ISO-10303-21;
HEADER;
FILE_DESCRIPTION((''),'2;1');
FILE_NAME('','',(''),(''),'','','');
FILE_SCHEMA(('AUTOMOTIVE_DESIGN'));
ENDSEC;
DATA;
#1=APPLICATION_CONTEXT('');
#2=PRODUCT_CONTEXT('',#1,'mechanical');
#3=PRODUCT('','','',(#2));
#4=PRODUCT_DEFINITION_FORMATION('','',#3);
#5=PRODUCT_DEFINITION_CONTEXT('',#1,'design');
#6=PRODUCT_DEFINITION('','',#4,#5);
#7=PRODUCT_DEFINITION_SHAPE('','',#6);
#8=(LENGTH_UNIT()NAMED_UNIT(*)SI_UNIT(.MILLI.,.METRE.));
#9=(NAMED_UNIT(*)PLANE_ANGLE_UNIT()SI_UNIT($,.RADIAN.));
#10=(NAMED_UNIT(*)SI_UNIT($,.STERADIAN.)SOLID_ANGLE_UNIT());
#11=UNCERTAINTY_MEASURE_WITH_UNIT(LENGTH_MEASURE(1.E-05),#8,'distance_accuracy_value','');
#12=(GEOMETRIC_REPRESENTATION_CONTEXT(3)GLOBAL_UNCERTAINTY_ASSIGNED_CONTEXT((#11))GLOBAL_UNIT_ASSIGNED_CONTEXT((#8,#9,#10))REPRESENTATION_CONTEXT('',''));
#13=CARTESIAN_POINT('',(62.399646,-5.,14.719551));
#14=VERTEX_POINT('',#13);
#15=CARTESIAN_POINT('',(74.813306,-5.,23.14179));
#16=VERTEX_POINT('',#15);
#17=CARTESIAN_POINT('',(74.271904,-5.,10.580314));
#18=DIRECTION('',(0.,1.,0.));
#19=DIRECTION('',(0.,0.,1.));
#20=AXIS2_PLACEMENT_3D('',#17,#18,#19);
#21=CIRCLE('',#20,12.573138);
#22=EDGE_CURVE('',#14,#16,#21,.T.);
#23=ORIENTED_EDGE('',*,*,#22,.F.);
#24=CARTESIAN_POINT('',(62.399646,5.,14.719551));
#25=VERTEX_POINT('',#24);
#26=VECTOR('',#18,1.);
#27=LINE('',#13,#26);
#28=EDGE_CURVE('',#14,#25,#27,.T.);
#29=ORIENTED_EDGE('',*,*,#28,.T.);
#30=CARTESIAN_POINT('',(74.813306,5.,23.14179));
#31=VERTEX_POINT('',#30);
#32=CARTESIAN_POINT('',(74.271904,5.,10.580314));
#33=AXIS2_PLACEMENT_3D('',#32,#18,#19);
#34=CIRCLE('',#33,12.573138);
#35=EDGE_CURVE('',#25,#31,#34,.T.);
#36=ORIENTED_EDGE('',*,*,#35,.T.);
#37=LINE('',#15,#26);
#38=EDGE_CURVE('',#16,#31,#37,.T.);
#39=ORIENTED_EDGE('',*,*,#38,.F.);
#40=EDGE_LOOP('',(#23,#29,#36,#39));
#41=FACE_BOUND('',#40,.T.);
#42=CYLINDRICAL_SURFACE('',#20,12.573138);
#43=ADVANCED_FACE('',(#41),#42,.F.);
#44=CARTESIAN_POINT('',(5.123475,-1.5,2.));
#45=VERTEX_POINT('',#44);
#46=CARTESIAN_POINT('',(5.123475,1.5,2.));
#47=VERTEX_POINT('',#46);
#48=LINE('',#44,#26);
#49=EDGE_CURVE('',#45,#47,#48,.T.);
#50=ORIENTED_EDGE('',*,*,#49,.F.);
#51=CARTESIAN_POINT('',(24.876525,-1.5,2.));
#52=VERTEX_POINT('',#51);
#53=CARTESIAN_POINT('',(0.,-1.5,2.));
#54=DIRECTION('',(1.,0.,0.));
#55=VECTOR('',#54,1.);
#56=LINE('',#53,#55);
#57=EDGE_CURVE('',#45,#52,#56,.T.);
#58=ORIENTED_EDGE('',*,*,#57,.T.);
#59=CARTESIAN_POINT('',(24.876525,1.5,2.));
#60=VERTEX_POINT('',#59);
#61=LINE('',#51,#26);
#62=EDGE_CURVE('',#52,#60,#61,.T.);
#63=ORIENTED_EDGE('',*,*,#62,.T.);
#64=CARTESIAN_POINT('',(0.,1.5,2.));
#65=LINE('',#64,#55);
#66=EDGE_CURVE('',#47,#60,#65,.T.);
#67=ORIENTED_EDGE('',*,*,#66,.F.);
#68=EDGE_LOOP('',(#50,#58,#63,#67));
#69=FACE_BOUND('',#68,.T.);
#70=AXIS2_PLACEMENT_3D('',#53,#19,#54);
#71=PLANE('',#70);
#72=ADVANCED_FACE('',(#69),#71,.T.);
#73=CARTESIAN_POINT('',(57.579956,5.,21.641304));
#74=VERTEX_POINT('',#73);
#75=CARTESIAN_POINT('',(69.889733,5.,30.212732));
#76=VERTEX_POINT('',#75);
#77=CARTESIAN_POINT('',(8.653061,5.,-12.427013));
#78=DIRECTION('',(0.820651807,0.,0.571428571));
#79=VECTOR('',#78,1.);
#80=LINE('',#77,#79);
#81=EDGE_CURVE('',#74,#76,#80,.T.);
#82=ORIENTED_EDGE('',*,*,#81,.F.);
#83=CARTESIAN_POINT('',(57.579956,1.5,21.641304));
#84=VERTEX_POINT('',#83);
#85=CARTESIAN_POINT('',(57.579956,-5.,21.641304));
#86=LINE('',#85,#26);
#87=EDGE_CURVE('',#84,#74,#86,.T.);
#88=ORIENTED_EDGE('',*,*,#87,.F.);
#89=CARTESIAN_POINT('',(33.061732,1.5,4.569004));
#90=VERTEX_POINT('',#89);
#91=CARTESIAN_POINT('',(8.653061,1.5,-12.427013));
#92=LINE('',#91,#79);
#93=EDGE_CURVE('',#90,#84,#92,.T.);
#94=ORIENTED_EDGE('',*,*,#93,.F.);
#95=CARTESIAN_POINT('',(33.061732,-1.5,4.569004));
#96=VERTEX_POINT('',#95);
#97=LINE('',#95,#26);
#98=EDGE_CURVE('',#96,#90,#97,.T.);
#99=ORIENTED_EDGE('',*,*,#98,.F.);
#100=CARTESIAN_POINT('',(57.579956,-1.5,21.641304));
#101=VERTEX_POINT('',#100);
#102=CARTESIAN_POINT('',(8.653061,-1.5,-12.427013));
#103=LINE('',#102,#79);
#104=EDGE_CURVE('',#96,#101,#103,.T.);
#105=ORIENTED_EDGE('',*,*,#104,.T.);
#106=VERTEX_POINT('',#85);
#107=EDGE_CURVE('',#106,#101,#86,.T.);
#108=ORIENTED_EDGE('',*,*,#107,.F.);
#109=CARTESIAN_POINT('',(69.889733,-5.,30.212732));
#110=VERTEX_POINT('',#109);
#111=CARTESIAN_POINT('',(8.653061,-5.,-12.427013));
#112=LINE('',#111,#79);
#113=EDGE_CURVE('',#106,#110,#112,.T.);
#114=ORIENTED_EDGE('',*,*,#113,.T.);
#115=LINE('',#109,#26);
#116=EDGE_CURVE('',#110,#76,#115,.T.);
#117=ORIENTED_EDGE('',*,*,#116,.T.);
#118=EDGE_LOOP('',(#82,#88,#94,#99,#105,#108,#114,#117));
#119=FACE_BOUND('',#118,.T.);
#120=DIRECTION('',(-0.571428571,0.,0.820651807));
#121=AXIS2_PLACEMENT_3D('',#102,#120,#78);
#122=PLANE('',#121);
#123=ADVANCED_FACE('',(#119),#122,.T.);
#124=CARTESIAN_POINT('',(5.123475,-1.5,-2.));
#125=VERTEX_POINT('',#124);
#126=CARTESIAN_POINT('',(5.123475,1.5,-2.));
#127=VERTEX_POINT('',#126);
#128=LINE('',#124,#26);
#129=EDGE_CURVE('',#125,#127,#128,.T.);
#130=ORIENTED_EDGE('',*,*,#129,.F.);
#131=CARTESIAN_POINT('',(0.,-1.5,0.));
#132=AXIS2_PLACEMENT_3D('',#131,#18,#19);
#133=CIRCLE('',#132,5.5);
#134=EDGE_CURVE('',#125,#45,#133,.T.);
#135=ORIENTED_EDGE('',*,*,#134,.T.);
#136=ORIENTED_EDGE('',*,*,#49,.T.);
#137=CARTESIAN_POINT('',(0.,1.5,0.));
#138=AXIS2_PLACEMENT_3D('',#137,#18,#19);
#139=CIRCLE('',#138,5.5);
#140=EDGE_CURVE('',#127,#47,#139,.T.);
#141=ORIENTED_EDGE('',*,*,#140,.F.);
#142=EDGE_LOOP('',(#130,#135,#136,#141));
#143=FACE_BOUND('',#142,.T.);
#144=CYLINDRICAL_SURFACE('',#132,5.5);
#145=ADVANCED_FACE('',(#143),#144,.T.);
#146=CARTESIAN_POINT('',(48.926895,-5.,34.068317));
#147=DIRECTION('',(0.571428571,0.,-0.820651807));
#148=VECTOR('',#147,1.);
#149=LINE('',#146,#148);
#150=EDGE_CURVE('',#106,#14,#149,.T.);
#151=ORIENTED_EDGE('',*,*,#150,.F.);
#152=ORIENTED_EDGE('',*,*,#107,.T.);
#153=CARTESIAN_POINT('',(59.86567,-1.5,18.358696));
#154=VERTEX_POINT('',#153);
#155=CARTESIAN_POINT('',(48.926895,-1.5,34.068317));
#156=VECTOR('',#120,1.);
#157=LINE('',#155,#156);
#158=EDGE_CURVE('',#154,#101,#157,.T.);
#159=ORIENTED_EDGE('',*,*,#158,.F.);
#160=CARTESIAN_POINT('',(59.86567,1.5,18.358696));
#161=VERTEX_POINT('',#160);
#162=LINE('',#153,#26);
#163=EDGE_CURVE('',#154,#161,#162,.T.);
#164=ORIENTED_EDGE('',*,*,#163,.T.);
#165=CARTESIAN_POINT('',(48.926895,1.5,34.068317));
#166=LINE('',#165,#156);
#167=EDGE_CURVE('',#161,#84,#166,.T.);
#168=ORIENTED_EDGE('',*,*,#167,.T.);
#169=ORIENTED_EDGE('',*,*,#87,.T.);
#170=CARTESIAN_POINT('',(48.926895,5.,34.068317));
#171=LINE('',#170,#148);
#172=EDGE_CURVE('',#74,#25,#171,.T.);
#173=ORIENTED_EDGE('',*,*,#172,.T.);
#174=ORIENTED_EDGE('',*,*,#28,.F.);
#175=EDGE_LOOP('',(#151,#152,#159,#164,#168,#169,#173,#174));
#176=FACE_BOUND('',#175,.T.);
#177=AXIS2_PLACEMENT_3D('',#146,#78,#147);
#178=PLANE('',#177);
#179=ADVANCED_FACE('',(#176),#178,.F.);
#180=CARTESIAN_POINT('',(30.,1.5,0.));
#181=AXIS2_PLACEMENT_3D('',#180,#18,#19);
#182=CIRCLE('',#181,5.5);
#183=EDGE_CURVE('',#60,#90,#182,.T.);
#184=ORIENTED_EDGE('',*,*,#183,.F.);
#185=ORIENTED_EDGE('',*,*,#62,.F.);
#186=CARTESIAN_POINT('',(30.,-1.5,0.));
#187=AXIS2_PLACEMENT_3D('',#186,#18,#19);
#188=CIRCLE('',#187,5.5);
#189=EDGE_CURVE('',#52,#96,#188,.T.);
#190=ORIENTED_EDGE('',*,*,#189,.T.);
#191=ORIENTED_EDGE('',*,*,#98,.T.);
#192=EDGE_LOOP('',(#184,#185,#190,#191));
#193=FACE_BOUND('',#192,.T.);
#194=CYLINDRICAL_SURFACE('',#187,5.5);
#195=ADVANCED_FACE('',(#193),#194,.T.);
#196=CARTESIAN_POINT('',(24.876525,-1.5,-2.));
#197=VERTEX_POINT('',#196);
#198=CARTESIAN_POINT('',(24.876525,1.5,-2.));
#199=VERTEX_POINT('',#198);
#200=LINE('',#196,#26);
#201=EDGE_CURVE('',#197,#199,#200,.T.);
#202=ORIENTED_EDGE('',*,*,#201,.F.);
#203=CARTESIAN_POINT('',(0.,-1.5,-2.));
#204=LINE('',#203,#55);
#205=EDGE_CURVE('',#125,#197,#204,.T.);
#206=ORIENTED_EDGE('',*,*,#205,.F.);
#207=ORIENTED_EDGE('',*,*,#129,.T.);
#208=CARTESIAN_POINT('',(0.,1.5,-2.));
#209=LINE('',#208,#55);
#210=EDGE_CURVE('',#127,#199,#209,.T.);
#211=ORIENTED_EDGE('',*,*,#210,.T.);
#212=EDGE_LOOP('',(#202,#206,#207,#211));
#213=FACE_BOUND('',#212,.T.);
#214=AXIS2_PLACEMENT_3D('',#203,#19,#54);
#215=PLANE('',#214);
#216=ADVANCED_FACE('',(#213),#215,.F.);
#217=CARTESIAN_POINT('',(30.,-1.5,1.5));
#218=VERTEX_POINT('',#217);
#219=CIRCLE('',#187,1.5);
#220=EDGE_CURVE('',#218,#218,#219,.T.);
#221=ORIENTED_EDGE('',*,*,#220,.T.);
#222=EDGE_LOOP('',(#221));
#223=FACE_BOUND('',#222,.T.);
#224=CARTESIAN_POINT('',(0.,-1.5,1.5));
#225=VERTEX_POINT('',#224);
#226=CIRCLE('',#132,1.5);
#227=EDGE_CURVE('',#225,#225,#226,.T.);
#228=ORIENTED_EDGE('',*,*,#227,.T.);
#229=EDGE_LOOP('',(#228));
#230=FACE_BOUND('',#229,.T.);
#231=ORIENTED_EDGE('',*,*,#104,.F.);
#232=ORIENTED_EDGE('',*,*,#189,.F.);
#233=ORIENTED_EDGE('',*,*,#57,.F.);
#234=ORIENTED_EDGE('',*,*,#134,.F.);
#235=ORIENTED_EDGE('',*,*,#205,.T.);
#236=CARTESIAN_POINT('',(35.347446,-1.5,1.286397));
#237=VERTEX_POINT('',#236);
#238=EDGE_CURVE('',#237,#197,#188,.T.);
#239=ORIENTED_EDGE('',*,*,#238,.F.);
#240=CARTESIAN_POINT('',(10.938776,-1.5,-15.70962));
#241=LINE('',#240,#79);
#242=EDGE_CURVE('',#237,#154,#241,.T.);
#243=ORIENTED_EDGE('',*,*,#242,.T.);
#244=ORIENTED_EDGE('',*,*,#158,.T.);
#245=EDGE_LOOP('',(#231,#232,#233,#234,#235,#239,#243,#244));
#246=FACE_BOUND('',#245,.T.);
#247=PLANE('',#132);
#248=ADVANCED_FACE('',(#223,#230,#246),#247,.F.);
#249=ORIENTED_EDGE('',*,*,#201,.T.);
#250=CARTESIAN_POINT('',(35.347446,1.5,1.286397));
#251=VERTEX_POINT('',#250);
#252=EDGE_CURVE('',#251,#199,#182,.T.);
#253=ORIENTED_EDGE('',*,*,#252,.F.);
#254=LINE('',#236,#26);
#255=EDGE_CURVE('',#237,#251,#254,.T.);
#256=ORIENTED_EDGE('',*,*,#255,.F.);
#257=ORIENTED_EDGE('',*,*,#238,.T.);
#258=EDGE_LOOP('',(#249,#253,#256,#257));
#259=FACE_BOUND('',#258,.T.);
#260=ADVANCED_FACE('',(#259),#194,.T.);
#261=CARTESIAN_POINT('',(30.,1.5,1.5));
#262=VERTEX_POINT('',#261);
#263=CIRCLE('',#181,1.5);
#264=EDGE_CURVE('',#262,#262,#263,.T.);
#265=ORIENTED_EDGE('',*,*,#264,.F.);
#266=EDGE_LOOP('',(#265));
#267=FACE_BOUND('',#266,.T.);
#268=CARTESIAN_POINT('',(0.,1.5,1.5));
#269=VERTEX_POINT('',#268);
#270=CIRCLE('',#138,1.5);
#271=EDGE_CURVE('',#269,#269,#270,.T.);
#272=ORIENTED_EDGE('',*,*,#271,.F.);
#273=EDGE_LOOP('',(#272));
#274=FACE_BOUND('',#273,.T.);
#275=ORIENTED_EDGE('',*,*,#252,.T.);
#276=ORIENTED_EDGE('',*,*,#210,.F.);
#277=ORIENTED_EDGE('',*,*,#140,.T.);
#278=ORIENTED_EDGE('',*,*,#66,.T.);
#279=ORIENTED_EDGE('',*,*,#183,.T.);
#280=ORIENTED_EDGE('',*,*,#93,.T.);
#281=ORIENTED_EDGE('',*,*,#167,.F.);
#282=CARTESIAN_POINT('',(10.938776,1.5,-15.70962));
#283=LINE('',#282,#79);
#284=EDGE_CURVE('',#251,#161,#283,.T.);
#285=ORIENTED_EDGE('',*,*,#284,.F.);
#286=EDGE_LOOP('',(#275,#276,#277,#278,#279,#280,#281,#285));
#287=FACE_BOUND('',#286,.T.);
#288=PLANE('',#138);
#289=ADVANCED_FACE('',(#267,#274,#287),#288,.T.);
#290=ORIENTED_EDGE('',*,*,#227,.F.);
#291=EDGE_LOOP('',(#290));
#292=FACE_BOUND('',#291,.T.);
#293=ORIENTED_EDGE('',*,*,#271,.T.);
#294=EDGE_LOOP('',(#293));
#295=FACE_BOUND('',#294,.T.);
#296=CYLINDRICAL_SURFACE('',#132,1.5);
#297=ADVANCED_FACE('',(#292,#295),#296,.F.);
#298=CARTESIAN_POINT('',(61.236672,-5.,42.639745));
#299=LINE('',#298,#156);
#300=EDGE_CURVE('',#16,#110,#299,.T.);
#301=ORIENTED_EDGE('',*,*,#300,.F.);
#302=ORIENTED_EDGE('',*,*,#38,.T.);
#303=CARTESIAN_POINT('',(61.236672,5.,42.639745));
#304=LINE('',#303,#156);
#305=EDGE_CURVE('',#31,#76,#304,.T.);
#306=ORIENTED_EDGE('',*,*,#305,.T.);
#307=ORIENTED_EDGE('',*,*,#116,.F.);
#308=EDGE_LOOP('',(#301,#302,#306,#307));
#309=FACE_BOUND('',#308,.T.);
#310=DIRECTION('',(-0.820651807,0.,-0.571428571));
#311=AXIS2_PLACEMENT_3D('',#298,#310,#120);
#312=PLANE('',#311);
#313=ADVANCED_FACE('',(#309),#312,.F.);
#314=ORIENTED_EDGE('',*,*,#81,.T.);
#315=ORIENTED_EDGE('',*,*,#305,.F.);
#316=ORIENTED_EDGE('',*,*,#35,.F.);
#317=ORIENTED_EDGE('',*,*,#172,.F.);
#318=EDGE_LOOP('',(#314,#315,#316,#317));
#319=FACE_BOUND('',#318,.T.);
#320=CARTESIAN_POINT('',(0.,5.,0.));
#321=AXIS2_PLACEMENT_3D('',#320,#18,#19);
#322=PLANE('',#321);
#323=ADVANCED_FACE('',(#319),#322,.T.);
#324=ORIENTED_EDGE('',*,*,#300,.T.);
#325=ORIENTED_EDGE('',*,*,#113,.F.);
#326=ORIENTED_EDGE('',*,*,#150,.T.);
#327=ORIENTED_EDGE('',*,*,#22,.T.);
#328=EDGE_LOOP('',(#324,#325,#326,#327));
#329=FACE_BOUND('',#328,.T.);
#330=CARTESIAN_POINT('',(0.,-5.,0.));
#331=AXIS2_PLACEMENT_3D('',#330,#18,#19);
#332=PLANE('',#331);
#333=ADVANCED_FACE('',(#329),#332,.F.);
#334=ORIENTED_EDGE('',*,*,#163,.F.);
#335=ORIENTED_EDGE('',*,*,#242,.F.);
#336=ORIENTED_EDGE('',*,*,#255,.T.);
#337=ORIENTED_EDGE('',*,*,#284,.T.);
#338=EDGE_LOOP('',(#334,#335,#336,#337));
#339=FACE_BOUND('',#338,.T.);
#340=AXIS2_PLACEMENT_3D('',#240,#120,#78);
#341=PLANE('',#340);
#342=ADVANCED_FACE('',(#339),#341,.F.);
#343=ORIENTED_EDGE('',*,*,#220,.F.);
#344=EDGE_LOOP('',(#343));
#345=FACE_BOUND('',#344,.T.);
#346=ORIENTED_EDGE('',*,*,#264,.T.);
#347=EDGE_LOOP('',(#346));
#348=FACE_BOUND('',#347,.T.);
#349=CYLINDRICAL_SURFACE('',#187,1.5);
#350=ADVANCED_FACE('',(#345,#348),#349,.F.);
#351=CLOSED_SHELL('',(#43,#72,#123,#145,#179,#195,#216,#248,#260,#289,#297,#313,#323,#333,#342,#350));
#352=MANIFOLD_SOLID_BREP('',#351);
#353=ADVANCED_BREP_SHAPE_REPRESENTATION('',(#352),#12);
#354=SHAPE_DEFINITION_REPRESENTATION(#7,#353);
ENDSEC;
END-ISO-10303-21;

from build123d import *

# Parameters (mm, degrees)
SKETCH1_R                = 1.5
BOSS_EXTRUDE1_DEPTH      = 1.5
BOSS_EXTRUDE1_DEPTH_BACK = 1.5
BOSS_EXTRUDE2_DEPTH      = 5
BOSS_EXTRUDE2_DEPTH_BACK = 5


with BuildPart() as part:
    # Sketch1 → Boss-Extrude1 (new body, two sides)
    with BuildSketch(Plane(origin=(0, 0, 0), x_dir=(1, 0, 0), z_dir=(0, 1, 0))) as boss_extrude1_sk:
        with BuildLine():
            ThreePointArc((5.123475383, 2), (-5.5, 0), (5.123475383, -2))
            Line((5.123475383, -2), (24.876524617, -2))
            ThreePointArc((24.876524617, -2), (28.352990157, -5.247605032), (33.061732187, -4.569003832))
            Line((33.061732187, -4.569003832), (57.57995609, -21.641303613))
            Line((57.57995609, -21.641303613), (59.865670376, -18.358696387))
            Line((59.865670376, -18.358696387), (35.347446472, -1.286396606))
            ThreePointArc((35.347446472, -1.286396606), (31.647009843, 5.247605032), (24.876524617, 2))
            Line((24.876524617, 2), (5.123475383, 2))
        make_face()
        Circle(SKETCH1_R, mode=Mode.SUBTRACT)
        with Locations((30, 0)):
            Circle(SKETCH1_R, mode=Mode.SUBTRACT)
    extrude(amount=BOSS_EXTRUDE1_DEPTH)
    extrude(boss_extrude1_sk.sketch, amount=-BOSS_EXTRUDE1_DEPTH_BACK)

    # Sketch2 → Boss-Extrude2 (add, two sides)
    with BuildSketch(Plane(origin=(0, 0, 0), x_dir=(1, 0, 0), z_dir=(0, 1, 0))) as boss_extrude2_sk:
        Polygon((59.865670376, -18.358696387), (57.57995609, -21.641303613), (69.88973319, -30.212732185), (72.175447475, -26.930124958), align=None)
        with BuildLine():
            Line((62.399646215, -14.719550648), (59.865670376, -18.358696387))
            Line((59.865670376, -18.358696387), (72.175447475, -26.930124958))
            Line((72.175447475, -26.930124958), (74.81330558, -23.141789675))
            ThreePointArc((74.81330558, -23.141789675), (67.212824585, -20.984792896), (62.399646215, -14.719550648))
        make_face()
    extrude(amount=BOSS_EXTRUDE2_DEPTH)
    extrude(boss_extrude2_sk.sketch, amount=-BOSS_EXTRUDE2_DEPTH_BACK)


solid = part.part
